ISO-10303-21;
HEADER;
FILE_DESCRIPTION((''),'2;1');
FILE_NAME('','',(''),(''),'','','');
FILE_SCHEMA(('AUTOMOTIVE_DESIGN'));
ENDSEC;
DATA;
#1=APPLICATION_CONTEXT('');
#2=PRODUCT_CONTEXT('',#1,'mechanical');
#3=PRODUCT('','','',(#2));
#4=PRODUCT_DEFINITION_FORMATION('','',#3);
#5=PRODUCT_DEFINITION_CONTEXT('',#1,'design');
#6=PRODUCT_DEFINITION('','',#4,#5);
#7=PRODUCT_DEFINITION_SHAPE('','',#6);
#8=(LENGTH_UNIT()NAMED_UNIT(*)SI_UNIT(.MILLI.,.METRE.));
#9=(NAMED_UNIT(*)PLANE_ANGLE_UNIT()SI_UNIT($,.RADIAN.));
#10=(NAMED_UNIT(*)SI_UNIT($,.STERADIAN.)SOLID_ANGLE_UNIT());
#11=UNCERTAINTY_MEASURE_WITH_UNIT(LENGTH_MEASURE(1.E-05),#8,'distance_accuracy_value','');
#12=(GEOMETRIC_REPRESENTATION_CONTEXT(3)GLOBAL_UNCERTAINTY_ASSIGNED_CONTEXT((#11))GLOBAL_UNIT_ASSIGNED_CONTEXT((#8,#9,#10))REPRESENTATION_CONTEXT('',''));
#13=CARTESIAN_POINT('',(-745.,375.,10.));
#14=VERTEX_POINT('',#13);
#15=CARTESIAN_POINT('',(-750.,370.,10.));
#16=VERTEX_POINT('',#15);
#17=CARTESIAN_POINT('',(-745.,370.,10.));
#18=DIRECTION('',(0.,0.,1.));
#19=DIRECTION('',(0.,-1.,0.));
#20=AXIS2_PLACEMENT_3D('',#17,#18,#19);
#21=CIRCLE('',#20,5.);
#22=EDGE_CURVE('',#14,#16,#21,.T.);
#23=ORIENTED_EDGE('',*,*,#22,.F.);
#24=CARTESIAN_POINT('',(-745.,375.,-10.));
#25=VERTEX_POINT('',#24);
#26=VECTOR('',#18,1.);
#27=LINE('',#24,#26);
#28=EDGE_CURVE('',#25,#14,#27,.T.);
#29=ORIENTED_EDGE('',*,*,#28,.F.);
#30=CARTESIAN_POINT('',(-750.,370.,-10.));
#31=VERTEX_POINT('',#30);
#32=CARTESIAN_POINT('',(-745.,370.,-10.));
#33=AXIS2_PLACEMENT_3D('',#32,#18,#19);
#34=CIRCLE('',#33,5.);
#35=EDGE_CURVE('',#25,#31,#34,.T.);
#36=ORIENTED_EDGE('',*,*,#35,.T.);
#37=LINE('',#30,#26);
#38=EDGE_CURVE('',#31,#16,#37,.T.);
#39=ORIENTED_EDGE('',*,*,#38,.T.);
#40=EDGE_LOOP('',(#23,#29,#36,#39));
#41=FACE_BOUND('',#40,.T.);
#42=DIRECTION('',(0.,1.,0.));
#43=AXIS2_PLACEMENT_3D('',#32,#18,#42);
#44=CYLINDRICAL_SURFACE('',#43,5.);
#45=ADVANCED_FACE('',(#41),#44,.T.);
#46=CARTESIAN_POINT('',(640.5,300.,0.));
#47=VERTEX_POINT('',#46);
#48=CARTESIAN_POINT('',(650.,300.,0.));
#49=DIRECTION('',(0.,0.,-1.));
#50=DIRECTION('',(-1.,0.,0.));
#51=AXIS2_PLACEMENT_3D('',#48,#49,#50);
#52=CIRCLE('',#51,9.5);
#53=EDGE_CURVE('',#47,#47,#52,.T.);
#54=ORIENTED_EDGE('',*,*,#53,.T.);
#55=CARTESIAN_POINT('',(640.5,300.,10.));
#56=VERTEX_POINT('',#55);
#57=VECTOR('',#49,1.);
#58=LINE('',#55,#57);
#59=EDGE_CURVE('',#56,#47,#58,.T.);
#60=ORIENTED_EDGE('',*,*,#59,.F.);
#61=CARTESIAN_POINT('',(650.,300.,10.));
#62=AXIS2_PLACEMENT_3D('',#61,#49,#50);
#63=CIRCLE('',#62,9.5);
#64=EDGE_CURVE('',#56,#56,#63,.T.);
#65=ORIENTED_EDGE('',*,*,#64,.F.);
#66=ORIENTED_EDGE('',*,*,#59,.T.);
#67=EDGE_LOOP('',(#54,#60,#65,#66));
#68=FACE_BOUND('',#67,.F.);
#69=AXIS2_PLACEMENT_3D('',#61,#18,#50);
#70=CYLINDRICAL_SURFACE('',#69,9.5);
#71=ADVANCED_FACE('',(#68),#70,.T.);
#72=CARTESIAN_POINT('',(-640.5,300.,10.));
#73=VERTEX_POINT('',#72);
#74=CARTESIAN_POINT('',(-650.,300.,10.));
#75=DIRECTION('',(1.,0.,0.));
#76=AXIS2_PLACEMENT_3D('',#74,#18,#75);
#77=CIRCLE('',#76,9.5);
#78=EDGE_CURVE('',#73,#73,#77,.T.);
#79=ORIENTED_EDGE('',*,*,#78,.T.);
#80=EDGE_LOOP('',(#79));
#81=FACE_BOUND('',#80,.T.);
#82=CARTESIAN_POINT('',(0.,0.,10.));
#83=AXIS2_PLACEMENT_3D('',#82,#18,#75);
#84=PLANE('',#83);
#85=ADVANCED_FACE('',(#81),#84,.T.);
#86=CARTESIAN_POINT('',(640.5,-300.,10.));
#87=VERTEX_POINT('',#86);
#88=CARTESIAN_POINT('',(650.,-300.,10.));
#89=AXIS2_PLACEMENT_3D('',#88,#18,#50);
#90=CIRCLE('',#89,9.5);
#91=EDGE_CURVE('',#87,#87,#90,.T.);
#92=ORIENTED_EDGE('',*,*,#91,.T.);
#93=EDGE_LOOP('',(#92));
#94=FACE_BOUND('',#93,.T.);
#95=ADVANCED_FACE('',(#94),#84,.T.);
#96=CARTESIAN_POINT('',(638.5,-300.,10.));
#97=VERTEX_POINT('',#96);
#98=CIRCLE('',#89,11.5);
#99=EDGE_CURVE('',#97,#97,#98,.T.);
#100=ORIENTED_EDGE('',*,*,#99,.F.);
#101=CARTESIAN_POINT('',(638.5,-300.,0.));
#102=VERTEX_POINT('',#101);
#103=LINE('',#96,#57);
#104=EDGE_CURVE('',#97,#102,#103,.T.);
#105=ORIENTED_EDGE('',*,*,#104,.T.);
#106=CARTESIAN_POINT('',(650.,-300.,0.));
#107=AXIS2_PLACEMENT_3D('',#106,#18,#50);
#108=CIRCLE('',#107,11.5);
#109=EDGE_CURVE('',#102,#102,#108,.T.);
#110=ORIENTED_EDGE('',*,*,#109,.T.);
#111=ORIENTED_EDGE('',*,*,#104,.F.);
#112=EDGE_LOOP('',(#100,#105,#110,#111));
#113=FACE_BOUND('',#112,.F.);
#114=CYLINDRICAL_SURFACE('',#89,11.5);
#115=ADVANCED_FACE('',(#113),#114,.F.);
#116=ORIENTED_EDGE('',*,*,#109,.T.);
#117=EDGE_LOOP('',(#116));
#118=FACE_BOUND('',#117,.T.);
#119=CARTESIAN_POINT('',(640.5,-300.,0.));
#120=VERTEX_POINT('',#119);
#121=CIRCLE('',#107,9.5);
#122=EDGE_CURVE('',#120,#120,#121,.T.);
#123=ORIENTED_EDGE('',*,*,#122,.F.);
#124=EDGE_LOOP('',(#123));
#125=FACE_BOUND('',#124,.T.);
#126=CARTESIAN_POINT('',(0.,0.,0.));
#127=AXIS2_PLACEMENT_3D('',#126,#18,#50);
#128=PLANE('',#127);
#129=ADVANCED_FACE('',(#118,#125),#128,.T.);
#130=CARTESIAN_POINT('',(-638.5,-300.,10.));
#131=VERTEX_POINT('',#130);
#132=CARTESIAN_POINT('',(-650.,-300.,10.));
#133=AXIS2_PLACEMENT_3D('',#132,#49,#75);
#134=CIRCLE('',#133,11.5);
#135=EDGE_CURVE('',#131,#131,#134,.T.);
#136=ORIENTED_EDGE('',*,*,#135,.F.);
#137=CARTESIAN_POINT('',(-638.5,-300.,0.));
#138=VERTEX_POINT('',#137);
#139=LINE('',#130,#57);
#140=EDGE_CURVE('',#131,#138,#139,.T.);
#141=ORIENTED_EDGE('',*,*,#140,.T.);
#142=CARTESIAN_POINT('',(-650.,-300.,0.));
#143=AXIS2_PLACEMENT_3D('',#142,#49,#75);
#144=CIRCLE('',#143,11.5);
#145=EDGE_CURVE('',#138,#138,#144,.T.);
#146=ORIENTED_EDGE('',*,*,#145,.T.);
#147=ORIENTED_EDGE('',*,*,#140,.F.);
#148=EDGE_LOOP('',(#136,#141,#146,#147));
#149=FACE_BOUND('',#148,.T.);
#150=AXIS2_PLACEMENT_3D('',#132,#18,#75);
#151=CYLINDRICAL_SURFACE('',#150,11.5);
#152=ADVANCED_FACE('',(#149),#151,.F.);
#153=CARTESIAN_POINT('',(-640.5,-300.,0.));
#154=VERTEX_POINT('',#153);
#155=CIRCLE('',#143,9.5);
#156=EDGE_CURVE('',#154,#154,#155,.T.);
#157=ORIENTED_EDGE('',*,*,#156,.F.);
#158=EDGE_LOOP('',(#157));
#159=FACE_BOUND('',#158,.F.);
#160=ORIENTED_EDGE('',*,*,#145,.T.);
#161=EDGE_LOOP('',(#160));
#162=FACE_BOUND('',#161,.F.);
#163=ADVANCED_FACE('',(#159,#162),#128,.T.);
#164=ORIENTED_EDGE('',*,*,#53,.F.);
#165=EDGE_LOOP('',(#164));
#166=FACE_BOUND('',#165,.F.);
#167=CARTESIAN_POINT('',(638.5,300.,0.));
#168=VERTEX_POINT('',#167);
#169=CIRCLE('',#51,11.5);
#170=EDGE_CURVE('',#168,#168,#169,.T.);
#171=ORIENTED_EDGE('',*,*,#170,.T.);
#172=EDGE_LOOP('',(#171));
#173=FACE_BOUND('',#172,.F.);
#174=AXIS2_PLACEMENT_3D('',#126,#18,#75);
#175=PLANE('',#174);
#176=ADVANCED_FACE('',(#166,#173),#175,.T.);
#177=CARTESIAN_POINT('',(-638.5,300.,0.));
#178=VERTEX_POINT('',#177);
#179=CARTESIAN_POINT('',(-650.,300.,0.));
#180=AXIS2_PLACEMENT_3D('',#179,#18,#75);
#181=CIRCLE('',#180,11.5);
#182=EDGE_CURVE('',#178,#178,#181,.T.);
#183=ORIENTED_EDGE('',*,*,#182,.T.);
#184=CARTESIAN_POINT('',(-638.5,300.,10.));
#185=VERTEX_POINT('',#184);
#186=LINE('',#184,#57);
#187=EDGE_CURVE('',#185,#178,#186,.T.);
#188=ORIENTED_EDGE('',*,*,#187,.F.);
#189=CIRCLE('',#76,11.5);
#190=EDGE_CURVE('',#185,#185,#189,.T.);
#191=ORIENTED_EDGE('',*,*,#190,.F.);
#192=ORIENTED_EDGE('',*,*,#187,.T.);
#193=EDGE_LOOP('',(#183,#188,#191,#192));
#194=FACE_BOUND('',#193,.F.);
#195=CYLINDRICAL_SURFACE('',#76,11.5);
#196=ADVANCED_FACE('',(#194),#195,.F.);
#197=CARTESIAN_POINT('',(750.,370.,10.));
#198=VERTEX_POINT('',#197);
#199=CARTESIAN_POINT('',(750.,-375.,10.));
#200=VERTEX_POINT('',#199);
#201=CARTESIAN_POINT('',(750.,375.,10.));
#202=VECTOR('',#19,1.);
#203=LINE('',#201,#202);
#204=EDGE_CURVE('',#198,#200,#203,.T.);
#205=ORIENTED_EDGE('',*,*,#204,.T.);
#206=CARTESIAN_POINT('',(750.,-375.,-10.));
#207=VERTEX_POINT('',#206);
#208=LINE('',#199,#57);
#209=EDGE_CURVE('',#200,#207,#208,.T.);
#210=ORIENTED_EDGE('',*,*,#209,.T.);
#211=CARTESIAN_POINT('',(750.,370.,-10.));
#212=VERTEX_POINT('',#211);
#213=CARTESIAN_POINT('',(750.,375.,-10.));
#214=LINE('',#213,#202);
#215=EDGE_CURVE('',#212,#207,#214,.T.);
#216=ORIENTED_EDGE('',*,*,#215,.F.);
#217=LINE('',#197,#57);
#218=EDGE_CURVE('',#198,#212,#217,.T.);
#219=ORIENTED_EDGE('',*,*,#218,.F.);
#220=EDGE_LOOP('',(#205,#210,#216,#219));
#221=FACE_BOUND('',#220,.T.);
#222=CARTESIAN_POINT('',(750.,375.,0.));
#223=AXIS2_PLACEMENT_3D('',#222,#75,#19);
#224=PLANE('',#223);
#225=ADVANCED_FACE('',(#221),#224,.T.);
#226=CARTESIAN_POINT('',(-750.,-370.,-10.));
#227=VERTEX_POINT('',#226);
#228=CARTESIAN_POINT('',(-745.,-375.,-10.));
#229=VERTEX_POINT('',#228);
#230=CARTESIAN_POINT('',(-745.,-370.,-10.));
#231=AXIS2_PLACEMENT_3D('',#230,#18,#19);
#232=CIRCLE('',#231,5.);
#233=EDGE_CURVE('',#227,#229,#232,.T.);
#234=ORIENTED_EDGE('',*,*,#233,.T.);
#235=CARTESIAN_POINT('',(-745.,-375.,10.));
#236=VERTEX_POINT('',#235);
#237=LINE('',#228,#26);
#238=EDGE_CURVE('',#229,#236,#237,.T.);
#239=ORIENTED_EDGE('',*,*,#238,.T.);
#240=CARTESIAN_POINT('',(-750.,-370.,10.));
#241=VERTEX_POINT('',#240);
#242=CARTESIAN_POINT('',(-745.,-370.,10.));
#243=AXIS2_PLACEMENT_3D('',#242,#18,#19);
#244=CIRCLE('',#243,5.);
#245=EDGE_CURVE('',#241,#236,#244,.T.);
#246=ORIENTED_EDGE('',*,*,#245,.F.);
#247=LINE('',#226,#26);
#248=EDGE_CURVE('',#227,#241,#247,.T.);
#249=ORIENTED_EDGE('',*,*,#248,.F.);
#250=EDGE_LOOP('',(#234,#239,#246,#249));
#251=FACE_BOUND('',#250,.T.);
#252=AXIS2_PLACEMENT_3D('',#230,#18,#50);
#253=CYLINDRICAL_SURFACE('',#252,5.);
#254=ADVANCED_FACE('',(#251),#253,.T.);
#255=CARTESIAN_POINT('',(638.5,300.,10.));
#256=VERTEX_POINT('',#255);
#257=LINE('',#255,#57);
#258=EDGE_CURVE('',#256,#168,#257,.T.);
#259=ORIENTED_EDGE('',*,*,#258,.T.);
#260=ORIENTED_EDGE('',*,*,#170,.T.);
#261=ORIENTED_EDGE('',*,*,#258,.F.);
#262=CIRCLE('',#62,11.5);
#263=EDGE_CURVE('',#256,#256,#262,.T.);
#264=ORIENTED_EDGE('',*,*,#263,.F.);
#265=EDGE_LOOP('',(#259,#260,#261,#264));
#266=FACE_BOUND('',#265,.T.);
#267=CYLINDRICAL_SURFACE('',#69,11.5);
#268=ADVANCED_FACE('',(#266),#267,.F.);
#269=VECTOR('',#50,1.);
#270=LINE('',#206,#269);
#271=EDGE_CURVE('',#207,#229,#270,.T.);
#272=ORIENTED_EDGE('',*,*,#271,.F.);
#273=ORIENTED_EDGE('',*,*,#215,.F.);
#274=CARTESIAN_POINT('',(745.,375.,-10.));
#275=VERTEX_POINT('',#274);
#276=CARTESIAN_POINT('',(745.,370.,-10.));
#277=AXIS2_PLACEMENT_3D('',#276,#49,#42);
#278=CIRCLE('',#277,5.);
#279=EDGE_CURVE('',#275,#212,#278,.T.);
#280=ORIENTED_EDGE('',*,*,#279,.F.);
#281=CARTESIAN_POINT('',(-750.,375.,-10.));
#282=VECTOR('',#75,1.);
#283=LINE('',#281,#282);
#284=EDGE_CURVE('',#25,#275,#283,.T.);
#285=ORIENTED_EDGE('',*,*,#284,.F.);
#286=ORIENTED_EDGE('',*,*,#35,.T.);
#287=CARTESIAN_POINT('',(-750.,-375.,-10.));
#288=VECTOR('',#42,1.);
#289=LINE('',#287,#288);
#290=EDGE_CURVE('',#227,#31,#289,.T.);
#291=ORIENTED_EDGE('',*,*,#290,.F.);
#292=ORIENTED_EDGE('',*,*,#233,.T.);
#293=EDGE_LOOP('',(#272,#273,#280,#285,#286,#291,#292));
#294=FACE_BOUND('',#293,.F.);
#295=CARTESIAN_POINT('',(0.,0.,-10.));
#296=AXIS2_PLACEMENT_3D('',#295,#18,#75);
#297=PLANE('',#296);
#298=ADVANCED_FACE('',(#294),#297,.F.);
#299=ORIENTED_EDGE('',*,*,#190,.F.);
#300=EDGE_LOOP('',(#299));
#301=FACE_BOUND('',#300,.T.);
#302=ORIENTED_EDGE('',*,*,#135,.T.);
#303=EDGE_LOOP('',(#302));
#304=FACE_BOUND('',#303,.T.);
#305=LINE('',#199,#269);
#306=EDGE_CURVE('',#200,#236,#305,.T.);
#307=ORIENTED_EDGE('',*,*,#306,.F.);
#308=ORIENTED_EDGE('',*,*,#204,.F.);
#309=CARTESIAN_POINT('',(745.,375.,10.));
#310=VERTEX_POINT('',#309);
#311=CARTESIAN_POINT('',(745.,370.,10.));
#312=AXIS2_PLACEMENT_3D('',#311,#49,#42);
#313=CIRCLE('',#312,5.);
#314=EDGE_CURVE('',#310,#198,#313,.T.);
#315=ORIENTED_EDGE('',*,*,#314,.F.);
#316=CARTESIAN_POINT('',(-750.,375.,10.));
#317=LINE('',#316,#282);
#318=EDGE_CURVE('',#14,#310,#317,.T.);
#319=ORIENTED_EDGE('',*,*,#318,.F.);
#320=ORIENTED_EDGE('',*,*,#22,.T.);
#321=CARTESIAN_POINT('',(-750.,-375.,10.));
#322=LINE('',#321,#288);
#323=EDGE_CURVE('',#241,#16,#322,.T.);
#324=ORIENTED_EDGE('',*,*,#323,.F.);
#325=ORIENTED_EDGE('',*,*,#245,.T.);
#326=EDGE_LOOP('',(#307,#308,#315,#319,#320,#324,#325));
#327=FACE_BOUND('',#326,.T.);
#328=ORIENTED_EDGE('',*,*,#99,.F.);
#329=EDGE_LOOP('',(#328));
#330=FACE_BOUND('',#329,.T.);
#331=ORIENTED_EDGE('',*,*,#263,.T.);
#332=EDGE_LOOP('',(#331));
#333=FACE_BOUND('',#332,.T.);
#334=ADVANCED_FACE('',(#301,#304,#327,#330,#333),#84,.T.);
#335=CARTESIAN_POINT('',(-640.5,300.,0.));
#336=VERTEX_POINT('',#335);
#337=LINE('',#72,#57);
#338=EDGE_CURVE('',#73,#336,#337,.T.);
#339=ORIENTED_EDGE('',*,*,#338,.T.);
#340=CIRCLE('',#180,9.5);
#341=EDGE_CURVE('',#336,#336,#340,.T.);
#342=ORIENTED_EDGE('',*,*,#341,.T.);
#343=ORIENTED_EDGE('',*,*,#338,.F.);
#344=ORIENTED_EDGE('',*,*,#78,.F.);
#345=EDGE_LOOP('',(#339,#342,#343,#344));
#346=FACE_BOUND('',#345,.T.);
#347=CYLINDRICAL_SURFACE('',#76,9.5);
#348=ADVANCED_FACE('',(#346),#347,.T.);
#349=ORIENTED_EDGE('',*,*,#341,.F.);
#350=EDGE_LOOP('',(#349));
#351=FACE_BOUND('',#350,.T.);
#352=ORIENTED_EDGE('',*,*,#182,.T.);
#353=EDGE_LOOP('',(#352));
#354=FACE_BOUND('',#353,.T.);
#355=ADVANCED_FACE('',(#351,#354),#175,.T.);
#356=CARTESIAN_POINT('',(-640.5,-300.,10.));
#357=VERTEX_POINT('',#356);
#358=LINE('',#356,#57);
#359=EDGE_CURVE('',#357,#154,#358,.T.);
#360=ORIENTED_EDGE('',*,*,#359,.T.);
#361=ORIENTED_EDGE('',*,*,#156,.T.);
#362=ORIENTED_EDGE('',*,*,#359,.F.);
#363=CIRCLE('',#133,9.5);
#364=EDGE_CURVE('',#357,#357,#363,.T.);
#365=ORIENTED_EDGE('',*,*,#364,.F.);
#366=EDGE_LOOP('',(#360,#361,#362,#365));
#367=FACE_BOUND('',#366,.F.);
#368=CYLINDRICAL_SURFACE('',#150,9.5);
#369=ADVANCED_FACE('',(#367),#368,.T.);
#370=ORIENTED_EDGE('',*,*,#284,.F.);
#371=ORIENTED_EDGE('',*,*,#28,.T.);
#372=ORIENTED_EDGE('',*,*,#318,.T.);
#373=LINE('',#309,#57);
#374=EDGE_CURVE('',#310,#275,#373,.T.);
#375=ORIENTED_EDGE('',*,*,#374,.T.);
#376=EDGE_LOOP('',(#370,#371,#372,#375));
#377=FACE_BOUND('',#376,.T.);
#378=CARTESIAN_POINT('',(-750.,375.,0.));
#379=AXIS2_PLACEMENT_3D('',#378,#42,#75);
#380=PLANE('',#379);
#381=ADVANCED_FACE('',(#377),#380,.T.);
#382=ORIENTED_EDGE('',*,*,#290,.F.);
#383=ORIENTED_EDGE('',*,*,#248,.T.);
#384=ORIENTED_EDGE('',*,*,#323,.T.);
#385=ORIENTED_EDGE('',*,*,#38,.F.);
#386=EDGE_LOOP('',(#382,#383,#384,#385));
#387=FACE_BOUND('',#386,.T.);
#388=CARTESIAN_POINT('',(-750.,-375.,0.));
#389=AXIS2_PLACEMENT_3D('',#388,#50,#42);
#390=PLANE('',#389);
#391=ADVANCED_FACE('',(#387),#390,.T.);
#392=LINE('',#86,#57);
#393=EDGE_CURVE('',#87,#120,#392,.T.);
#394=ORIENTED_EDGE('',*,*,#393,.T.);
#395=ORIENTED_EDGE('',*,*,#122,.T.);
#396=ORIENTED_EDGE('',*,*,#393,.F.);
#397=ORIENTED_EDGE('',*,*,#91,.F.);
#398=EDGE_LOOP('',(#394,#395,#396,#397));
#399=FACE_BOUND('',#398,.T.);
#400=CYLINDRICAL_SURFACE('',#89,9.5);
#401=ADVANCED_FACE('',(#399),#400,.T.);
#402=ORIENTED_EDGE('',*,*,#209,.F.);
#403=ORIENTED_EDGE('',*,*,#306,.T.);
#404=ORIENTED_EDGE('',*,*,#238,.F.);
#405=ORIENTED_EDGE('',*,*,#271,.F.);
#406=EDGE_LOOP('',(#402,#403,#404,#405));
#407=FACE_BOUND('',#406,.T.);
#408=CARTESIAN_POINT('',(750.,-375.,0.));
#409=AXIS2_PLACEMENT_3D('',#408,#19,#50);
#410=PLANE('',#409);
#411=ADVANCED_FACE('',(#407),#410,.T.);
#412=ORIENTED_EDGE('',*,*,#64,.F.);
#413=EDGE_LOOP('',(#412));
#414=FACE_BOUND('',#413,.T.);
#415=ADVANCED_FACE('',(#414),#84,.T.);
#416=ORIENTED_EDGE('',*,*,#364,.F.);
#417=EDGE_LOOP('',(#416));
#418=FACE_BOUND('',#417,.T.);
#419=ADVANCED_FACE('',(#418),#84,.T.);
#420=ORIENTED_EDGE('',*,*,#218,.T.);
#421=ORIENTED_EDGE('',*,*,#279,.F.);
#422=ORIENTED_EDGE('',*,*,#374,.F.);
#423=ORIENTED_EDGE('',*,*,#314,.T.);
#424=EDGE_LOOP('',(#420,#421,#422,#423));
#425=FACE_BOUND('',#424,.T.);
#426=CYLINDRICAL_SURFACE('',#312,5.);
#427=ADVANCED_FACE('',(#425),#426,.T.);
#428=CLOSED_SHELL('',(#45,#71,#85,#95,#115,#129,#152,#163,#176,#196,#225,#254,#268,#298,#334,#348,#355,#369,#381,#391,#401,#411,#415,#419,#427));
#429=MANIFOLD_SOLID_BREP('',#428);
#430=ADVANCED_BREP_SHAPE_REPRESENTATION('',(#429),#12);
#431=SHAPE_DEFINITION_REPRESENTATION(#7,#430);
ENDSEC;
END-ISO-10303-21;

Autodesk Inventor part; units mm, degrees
sketch "Esboço1" plane through (0, 0, 0) normal (0, 0, 1) x (1, 0, 0)
  line L0 (-750, 375) -> (750, 375)
  line L1 (750, 375) -> (750, -375)
  line L2 (750, -375) -> (-750, -375)
  line L3 (-750, -375) -> (-750, 375)
  line L4 (-750, 375) -> (750, -375) construction
  line L5 (750, 375) -> (-750, -375) construction
  point P0 (0, 0)
  point P1 (0, 0)
  dimension "d0" = 1500
  dimension "d1" = 750
extrude "Extrusão1" add sketch "Esboço1" along normal mid plane 20
sketch "Esboço2" plane through (0, 0, 10) normal (0, 0, 1) x (1, 0, 0)
  circle A0 centre (-650, 300) radius 9.5
  circle A1 centre (-650, 300) radius 11.5
  point P0 (0, 0)
  dimension "d4" = 19
  dimension "d5" = 650
  dimension "d6" = 300
  dimension "d11" = 23
  dimension "d12" = 2
extrude "Extrusão3" cut sketch "Esboço2" against normal blind 10
mirror "Espelhar3" about plane through (0, 0, 0) normal (1, 0, 0) of "Extrusão3"
mirror "Espelhar4" about plane through (0, 0, 0) normal (0, 1, 0) of "Extrusão3", "Espelhar3"
fillet "Arredondamento1" radius 5 1 edges at (-750, 375, 0)
mirror "Espelhar5" about plane through (0, 0, 0) normal (1, 0, 0) of "Arredondamento1"
mirror "Espelhar6" about plane through (0, 0, 0) normal (0, 1, 0) of "Arredondamento1", "Espelhar5"
equation "\"Raio_vergadura\" = Espessura"
equation "\"Largura_alívio_de_vergadura\" = Espessura"
equation "\"Profundidade_alívio_de_vergadura\" = 0.5 * Espessura"
equation "\"Tamanho_alívio_de_dobra\" = 4 * Espessura"
equation "\"Remanescente_mínimo\" = 2 * Espessura"
equation "\"Raiodetransição\" = Raio_vergadura"
equation "\"Tamanho_de_raio_de_Jacobi\" = Raio_vergadura"
equation "\"TamanhoFolga\" = Espessura"
equation "\"Espessura\" = 0.5"
properties part number "Peça9_mesa" material "Madeira (Carvalho)"
